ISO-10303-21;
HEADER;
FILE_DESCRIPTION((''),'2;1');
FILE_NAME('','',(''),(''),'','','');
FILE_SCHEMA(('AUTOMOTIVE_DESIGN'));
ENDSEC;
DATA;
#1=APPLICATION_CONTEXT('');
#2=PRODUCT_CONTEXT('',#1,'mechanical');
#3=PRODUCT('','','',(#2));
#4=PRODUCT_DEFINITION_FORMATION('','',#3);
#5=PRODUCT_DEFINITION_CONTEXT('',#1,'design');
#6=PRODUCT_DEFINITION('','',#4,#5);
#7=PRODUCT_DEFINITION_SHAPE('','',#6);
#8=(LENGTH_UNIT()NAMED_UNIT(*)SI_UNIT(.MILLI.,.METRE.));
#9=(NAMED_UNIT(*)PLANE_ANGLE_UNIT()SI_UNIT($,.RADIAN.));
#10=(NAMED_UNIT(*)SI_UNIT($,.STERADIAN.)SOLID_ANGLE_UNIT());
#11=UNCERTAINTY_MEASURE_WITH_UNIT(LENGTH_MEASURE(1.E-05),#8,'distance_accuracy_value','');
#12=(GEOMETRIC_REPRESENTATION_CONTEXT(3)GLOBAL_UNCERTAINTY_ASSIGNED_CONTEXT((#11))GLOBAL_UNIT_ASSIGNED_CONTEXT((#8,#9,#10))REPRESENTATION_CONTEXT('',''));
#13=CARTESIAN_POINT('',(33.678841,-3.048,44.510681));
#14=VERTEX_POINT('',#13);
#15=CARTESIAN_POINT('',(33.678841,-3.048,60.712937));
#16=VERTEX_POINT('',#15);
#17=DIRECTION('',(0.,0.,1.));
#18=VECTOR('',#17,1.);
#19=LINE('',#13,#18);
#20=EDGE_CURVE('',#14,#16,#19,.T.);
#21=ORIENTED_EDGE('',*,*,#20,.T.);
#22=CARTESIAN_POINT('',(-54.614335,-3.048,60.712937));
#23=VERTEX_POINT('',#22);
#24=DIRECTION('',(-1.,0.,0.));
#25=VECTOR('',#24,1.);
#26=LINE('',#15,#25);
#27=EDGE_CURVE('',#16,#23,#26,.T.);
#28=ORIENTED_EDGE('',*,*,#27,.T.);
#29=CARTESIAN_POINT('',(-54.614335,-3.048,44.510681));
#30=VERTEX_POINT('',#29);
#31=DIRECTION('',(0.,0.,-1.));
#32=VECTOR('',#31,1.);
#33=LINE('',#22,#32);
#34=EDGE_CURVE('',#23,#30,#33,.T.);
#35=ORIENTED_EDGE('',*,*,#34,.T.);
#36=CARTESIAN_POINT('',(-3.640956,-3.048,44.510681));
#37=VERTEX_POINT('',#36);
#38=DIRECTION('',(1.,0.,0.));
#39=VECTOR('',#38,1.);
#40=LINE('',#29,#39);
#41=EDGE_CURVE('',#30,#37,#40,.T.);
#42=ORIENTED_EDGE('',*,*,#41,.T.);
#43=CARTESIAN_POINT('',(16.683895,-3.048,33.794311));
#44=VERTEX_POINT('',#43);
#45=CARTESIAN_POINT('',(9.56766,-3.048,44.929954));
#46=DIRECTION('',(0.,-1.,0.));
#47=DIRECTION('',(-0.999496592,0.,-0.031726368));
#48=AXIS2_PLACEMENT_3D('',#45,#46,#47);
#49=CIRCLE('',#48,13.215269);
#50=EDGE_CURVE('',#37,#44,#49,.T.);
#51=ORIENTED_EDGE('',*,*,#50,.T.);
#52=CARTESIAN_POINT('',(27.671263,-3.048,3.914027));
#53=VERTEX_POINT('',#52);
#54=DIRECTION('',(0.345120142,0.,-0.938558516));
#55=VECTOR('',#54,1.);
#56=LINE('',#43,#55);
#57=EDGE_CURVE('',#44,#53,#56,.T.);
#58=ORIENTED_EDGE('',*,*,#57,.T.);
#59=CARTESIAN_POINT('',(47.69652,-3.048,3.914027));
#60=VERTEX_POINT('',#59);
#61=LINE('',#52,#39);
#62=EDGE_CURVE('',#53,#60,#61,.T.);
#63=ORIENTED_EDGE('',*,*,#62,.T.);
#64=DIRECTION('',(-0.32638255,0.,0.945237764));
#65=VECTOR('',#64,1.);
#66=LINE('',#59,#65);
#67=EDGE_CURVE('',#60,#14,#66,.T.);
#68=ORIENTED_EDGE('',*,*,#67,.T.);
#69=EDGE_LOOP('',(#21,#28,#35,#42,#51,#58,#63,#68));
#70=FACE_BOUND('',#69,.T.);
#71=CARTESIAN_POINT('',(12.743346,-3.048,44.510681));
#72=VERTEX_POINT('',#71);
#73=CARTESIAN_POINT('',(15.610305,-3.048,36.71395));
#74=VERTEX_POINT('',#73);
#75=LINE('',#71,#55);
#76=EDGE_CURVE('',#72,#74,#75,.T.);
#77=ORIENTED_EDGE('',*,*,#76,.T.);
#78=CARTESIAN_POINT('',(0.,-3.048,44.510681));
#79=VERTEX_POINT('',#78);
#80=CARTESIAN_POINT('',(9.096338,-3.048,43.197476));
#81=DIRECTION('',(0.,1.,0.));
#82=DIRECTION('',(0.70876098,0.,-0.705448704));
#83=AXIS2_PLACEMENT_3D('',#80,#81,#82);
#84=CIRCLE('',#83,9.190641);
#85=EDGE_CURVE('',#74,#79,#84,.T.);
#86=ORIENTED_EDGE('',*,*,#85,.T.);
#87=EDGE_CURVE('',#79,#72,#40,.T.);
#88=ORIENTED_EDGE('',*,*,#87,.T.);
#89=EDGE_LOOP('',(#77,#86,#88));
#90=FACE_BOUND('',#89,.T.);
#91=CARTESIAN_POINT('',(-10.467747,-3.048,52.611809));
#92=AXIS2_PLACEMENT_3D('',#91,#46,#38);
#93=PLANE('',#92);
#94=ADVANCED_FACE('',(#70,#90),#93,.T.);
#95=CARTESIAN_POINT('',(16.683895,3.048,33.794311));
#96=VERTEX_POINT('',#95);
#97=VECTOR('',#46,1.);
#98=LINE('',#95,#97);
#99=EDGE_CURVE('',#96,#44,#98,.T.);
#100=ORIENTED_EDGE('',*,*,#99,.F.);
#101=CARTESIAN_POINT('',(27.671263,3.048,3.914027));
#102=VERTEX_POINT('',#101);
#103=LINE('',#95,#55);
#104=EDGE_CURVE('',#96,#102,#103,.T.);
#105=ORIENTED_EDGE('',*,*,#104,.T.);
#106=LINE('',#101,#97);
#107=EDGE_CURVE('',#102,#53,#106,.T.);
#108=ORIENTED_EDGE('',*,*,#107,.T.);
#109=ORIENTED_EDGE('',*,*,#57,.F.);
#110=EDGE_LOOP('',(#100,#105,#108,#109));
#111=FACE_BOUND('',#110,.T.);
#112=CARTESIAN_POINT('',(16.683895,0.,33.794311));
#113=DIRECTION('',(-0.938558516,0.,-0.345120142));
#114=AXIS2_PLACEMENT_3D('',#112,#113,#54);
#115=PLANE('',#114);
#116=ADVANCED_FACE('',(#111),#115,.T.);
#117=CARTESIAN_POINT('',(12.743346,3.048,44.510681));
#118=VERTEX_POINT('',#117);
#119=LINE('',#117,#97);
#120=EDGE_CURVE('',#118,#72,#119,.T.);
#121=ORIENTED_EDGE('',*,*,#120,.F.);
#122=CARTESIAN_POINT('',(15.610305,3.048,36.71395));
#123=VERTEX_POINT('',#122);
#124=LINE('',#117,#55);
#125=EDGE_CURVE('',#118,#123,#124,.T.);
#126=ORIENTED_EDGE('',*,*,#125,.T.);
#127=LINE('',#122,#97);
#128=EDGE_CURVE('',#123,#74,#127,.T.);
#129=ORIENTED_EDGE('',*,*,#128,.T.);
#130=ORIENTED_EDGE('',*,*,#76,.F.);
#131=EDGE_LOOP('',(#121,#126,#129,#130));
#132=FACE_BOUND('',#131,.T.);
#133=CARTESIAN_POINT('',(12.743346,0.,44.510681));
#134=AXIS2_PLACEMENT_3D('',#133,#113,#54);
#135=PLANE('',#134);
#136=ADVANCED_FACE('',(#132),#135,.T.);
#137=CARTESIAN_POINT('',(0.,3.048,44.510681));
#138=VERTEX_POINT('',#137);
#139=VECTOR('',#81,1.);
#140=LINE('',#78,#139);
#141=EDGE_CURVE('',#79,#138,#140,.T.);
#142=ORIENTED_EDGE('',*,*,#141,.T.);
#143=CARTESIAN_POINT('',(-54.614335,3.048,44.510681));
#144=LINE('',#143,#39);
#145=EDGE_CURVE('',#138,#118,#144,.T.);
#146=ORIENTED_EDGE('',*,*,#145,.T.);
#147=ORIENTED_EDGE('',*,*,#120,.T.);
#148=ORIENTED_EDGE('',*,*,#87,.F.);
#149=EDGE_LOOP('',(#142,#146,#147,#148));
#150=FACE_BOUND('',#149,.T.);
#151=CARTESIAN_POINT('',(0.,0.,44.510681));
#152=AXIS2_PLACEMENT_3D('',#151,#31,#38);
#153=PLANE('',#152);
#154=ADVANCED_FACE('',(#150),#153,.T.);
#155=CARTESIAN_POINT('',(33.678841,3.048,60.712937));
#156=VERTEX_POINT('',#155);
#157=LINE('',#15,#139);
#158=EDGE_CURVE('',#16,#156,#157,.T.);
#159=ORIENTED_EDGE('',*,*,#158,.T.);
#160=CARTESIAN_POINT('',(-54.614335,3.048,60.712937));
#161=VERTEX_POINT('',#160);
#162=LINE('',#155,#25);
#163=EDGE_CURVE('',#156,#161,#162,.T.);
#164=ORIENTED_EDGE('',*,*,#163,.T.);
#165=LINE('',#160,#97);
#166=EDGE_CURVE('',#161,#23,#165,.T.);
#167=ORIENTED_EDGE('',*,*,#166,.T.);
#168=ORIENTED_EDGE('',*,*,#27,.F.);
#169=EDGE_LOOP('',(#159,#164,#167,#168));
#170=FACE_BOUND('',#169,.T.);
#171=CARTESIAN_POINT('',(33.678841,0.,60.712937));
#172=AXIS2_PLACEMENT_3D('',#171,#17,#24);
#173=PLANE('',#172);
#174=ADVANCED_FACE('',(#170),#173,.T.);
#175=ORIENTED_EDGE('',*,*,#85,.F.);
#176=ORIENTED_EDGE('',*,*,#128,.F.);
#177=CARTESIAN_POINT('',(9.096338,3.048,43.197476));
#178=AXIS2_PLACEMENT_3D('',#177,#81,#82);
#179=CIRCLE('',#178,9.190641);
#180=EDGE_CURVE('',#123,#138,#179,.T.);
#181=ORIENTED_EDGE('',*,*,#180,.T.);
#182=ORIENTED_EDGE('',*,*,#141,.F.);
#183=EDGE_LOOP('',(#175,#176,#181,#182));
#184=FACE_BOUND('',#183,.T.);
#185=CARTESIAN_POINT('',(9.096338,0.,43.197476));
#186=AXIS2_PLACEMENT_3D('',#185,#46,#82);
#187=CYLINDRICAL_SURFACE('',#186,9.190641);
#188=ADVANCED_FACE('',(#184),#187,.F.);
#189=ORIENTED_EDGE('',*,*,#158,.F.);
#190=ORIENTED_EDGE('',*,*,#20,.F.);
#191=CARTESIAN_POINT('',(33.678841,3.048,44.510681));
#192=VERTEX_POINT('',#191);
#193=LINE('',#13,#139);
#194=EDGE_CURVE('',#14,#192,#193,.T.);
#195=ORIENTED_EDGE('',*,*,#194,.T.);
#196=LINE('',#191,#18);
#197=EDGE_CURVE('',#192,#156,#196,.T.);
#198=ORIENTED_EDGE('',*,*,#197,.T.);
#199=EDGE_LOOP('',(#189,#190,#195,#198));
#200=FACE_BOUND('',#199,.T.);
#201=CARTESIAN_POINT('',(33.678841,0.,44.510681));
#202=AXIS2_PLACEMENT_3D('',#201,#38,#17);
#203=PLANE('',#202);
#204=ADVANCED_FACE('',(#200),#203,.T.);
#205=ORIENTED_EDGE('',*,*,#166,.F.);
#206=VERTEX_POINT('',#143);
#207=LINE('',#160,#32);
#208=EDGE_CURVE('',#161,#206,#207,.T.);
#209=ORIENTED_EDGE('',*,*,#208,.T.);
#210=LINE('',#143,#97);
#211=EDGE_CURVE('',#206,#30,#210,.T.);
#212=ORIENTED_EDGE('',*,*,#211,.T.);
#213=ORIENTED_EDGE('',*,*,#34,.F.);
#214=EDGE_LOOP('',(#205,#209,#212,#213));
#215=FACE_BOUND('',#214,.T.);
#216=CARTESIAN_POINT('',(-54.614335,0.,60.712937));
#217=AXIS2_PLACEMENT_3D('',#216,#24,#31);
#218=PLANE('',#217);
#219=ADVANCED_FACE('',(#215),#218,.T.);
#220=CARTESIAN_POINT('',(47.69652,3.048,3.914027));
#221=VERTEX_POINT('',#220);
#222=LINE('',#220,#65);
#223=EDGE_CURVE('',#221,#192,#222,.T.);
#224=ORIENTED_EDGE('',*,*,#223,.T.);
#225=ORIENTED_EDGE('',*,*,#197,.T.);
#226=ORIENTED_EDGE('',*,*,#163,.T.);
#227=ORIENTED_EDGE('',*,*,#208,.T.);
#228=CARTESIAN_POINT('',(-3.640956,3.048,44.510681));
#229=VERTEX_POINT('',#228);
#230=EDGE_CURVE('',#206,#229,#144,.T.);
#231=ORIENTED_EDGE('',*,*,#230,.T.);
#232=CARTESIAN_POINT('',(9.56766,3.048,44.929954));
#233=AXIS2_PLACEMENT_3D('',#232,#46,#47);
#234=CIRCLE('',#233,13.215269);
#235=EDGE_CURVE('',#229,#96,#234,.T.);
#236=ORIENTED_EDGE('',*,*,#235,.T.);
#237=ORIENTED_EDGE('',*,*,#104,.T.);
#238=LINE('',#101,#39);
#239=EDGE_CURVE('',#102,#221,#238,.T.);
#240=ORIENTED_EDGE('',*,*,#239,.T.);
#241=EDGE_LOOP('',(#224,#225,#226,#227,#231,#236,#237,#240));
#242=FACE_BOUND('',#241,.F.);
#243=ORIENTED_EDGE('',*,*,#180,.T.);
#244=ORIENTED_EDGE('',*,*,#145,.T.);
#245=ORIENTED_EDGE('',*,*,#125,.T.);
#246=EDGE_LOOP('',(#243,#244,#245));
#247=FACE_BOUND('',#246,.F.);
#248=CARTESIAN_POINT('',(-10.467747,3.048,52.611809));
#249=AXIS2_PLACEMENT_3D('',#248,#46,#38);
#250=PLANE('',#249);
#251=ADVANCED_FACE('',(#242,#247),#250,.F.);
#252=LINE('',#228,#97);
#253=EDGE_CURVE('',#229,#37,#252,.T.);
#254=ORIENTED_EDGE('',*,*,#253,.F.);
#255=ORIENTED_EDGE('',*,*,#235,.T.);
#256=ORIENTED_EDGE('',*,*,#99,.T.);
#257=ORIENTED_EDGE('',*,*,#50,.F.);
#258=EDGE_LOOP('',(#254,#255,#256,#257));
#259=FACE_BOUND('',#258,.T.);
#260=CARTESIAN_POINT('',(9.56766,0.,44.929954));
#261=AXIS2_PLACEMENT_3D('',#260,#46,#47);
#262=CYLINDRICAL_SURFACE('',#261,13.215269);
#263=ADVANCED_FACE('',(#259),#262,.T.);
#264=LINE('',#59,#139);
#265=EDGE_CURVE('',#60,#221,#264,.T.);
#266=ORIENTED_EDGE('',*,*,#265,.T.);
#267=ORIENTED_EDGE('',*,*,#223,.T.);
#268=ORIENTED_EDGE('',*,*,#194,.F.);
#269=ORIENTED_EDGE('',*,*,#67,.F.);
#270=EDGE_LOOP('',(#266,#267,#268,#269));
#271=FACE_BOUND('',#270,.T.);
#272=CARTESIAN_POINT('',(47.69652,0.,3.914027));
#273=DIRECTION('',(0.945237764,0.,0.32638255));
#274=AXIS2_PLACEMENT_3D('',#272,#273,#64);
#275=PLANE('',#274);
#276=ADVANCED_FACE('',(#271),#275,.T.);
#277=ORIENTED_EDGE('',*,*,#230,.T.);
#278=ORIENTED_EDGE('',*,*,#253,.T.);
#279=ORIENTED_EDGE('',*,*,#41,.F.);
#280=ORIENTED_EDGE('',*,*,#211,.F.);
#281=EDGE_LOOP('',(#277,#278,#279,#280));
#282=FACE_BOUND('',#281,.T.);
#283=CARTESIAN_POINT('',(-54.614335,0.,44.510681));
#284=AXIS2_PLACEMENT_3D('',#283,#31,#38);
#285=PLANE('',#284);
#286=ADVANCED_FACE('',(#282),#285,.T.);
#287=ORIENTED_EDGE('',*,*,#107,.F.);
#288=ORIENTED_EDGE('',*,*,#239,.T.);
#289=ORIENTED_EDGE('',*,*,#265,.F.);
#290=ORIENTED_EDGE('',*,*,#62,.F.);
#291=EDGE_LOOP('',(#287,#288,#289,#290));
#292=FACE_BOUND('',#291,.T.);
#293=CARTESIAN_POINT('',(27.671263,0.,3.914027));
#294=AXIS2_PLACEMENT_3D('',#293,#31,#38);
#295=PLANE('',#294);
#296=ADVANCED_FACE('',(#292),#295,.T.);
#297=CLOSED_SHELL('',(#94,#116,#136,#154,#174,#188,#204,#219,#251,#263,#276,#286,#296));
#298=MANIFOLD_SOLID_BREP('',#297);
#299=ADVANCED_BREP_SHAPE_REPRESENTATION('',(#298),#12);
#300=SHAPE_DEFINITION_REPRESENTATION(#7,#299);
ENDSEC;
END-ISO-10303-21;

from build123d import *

# Parameters (mm, degrees)
F1_DEPTH = 3.048


with BuildPart() as f1:
    # F0 (on Front) → F1 (new body, symmetric)
    with BuildSketch(Plane.XZ):
        Polygon((33.6788408458, 60.7129372656), (-54.6143352985, 60.7129372656), (-54.6143352985, 44.5106811821), (-3.6409557797, 44.5106811821), (0, 44.5106811821), (12.7433463931, 44.5106811821), (33.6788408458, 44.5106811821), align=None)
        Polygon((47.6965196431, 3.9140274748), (33.6788408458, 44.5106811821), (12.7433463931, 44.5106811821), (15.6103054986, 36.7139502643), (16.6838945941, 33.7943113768), (27.6712626219, 3.9140274748), align=None)
        with BuildLine():
            Line((0, 44.5106811821), (-3.6409557797, 44.5106811821))
            ThreePointArc((-3.6409557797, 44.5106811821), (3.4041040429, 33.2400477787), (16.6838945941, 33.7943113768))
            Line((16.6838945941, 33.7943113768), (15.6103054986, 36.7139502643))
            ThreePointArc((15.6103054986, 36.7139502643), (4.9897077202, 34.97534332), (0, 44.5106811821))
        make_face()
    extrude(amount=F1_DEPTH, both=True)


solid = f1.part
